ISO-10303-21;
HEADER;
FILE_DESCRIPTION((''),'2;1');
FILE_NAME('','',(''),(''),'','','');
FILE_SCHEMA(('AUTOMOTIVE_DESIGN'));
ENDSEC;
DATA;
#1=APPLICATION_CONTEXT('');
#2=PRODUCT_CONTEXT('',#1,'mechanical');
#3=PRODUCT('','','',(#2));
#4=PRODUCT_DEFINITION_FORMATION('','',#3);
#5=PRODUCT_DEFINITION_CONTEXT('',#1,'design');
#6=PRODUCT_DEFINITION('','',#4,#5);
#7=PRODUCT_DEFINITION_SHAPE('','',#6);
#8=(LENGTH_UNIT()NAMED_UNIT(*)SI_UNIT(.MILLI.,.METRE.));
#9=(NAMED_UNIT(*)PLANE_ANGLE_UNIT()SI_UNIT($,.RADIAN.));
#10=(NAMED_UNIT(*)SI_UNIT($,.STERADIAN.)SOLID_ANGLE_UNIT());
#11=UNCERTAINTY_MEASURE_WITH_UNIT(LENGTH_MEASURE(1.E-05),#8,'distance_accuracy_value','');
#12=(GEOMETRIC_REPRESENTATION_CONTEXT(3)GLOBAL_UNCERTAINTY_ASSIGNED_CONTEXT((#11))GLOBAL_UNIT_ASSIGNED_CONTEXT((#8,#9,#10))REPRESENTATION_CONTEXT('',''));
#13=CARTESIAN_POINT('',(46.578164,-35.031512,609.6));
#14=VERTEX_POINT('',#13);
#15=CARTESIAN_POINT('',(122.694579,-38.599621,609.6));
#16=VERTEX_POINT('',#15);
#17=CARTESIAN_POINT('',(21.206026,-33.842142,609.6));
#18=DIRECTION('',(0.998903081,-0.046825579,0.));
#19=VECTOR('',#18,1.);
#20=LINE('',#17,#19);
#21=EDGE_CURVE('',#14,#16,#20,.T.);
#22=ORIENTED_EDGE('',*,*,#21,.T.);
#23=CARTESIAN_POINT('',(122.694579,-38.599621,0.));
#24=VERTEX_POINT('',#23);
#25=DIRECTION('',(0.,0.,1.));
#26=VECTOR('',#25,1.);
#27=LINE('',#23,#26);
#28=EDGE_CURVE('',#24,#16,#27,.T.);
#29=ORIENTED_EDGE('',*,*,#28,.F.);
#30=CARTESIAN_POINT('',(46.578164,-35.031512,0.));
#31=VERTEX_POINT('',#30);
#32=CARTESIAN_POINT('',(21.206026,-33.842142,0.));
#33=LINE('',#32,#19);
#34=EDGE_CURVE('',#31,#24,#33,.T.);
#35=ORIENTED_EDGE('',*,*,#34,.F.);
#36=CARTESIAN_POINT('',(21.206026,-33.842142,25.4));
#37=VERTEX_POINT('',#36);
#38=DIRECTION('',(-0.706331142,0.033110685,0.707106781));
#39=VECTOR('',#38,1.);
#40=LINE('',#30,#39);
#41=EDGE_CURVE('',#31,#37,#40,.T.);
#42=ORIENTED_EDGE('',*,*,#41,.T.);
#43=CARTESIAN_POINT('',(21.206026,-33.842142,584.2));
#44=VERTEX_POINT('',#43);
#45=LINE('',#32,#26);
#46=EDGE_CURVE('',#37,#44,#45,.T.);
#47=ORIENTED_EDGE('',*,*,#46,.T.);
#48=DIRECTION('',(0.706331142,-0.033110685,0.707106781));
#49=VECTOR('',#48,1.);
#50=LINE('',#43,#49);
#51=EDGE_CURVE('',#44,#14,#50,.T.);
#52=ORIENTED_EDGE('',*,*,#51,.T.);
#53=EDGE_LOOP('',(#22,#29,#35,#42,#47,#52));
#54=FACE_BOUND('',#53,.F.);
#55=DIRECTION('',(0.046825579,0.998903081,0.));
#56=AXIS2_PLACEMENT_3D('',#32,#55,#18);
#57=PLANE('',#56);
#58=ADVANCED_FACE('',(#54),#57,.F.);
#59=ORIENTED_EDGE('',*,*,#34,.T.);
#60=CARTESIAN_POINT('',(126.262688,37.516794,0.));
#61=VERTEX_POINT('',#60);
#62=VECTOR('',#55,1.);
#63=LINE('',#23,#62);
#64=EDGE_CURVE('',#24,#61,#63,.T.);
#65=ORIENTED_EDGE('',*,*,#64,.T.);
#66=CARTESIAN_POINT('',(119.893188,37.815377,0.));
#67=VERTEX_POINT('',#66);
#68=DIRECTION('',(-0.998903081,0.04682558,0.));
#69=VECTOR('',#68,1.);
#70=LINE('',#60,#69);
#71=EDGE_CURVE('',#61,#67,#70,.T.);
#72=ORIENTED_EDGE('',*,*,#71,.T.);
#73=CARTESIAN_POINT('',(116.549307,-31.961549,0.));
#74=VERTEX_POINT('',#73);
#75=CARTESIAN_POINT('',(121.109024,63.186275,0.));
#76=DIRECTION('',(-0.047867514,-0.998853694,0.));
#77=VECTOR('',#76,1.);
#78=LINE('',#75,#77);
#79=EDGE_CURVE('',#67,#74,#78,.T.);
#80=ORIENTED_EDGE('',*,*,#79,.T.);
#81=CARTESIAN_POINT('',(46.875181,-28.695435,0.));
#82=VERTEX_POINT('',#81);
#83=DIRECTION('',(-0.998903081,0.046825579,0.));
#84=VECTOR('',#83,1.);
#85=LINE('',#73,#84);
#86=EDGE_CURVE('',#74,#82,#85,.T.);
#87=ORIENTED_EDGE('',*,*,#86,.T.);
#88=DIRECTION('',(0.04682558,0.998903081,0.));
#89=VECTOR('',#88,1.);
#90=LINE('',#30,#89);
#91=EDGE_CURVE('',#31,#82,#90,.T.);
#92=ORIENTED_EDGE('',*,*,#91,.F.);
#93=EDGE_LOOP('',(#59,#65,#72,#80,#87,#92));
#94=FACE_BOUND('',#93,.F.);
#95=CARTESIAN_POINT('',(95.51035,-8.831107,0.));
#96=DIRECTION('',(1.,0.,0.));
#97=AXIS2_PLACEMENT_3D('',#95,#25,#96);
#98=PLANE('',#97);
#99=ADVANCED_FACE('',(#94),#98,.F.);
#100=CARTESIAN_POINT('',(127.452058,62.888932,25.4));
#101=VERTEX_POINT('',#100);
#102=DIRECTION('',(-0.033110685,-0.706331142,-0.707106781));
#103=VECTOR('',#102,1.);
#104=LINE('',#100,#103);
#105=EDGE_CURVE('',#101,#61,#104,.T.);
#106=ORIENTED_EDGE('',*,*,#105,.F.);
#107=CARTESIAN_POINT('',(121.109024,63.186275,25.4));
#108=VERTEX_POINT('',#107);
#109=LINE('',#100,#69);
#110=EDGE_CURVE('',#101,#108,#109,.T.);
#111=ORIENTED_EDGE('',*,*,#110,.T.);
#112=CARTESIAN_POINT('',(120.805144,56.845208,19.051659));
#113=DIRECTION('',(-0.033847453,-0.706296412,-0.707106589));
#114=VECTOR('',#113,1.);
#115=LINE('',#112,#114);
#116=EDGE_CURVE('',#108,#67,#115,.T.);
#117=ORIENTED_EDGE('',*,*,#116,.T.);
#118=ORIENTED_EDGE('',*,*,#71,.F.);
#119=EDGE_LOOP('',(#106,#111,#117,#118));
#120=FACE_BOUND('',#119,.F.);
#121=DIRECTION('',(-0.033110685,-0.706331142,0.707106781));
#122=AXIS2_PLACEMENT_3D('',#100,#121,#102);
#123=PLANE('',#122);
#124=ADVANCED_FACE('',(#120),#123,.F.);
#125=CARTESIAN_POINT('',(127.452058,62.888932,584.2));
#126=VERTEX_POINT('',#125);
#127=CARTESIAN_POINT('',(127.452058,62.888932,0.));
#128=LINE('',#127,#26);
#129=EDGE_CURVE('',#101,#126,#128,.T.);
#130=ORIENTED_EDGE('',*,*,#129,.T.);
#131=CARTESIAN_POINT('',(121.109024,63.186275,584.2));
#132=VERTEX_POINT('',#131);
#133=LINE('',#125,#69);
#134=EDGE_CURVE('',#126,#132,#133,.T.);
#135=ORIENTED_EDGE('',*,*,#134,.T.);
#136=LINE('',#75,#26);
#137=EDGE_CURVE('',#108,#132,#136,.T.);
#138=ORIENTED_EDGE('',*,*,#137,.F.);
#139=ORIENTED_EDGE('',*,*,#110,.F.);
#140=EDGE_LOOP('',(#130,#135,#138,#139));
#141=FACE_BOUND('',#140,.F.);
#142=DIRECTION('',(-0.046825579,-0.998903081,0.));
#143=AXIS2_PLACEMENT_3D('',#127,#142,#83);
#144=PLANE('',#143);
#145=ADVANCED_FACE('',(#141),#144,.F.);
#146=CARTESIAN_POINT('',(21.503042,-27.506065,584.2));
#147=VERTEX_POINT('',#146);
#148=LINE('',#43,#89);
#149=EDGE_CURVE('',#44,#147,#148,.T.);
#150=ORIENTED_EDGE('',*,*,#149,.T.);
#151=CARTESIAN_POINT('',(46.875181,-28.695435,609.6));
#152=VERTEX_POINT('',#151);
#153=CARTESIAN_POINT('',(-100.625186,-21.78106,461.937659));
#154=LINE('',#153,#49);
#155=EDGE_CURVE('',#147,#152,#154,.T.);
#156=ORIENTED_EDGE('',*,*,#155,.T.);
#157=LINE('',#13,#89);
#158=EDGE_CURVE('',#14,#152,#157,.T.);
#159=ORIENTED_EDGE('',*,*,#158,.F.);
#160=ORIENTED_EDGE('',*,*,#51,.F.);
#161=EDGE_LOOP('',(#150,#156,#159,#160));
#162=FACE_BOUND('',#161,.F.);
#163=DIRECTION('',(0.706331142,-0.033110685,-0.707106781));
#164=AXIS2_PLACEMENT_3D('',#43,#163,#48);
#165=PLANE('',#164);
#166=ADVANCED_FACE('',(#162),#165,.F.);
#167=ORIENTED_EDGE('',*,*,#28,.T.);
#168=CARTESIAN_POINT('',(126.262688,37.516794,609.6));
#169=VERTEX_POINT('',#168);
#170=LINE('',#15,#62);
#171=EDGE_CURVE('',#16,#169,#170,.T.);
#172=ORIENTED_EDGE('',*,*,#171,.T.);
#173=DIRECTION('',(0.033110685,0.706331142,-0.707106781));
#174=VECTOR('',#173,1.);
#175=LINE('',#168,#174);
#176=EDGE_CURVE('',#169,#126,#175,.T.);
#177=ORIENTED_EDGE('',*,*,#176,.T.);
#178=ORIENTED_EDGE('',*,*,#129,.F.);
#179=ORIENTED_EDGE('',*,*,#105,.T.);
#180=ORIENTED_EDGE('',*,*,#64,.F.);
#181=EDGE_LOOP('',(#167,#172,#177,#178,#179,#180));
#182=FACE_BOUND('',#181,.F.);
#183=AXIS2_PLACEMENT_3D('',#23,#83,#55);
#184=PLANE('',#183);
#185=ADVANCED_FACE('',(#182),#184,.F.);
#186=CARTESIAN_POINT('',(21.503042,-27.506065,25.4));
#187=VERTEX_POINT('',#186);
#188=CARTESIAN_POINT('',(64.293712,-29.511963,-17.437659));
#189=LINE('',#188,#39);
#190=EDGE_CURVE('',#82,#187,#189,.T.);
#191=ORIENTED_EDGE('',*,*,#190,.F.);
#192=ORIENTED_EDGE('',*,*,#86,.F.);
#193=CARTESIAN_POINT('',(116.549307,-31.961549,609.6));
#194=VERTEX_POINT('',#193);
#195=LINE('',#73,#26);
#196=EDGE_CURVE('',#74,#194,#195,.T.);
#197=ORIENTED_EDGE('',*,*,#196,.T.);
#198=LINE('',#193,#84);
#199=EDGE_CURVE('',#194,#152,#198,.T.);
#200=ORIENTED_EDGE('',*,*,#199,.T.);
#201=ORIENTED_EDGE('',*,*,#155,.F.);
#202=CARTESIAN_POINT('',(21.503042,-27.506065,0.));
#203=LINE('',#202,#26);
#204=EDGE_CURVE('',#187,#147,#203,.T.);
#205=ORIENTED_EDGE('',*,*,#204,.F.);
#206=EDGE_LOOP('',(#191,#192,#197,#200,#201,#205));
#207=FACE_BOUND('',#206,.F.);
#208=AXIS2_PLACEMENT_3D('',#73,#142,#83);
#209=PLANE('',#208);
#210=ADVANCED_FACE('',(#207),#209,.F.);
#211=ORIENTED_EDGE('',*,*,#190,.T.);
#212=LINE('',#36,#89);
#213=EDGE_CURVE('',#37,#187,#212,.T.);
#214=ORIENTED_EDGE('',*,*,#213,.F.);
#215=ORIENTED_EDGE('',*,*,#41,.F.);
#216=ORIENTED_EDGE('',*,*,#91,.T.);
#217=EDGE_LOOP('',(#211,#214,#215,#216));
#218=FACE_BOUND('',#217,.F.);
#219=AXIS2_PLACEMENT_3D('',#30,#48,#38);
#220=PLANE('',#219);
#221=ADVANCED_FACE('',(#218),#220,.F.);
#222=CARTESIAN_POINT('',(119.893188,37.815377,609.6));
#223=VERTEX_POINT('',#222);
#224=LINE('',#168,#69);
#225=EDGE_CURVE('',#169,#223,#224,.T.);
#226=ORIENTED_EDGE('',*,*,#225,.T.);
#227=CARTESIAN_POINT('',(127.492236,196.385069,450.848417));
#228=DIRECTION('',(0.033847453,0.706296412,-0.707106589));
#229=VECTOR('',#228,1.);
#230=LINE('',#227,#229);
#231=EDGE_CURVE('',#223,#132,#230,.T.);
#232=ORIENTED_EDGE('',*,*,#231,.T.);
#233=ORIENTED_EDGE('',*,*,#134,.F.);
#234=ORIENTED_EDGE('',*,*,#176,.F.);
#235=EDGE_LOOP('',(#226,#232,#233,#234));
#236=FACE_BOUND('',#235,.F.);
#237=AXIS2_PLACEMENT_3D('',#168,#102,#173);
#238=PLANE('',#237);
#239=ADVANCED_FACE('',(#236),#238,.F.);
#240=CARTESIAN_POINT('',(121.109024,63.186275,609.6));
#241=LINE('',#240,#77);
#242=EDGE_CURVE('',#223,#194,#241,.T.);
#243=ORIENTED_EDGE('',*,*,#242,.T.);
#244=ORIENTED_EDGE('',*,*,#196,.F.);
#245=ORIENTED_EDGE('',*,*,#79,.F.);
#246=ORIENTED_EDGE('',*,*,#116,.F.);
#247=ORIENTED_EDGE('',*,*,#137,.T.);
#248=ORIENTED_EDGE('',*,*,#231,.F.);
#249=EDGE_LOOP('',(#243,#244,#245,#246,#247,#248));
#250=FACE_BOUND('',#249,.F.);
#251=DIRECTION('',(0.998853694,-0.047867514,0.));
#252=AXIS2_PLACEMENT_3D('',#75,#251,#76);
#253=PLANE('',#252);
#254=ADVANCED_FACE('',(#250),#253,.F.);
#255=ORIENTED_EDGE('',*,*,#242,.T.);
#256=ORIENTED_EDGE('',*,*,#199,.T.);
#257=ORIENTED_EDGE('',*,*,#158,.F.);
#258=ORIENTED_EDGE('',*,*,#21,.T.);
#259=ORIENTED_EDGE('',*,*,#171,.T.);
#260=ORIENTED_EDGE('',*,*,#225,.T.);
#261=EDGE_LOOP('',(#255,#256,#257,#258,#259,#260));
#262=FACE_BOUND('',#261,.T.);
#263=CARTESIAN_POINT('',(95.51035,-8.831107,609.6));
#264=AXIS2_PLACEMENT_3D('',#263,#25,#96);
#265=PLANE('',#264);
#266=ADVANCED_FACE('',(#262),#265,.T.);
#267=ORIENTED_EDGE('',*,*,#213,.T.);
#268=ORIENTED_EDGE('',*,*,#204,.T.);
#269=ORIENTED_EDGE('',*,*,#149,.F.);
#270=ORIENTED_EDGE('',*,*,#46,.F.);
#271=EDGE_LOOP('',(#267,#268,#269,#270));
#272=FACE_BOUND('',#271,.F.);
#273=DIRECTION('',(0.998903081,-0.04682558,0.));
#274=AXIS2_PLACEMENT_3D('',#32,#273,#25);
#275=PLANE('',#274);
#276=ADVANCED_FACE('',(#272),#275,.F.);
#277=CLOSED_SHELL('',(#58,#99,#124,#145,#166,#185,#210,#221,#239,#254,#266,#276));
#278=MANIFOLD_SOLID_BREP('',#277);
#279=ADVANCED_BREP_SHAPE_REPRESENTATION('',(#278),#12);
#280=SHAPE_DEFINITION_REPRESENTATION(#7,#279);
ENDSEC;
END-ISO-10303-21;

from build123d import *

# Parameters (mm, degrees)
F1_DEPTH   = 609.6
F3_DEPTH   = 25.4
F1_FACE2_W = 6.35
F1_FACE2_H = 609.6
F5_DEPTH   = 25.4
F7_DEPTH   = 25.4
F9_DEPTH   = 25.4


with BuildPart() as f1:
    # F0 (on Top) → F1 (new body)
    with BuildSketch(Plane.XY):
        Polygon((21.206026165, -27.4921420044), (21.206026165, -33.8421420044), (122.6945791882, -38.5996208804), (127.4520580641, 62.8889321428), (121.1090235002, 63.1862745726), (116.5493069378, -31.9615489545), align=None)
    extrude(amount=F1_DEPTH)

    # F2 (on face) → F3 (cut)
    with BuildSketch(Plane(origin=(124.2310217623, -5.8235775776, 0), x_dir=(0.0468255795, 0.9989030809, 0), z_dir=(0.9989030809, -0.0468255795, 0))):
        Polygon((43.3879645501, 609.6), (68.7879645501, 584.2), (68.7879645501, 609.6), align=None)
    extrude(amount=-F3_DEPTH, mode=Mode.SUBTRACT)

    # F4 (on face) + F1_face2 (on face) → F5 (cut)
    with BuildSketch(Plane(origin=(-1.5364425741, -32.7760433027, 0), x_dir=(0.9989030809, -0.0468255795, 0), z_dir=(-0.0468255795, -0.9989030809, 0))):
        Polygon((22.7674427811, 584.2), (48.1674427811, 609.6), (22.7674427811, 609.6), align=None)
    with BuildSketch(Plane(origin=(21.206026165, -30.6671420044, 304.8), x_dir=(0, -1, 0), z_dir=(-1, 0, 0))):
        Rectangle(F1_FACE2_W, F1_FACE2_H)
    extrude(amount=-F5_DEPTH, dir=(-0.0468255795, -0.9989030809, 0), mode=Mode.SUBTRACT)

    # F6 (on face) → F7 (cut)
    with BuildSketch(Plane(origin=(-1.5364425741, -32.7760433027, 0), x_dir=(0.9989030809, -0.0468255795, 0), z_dir=(-0.0468255795, -0.9989030809, 0))):
        Polygon((48.1674427811, 0), (22.7674427811, 25.4), (22.7674427811, 0), align=None)
    extrude(amount=-F7_DEPTH, mode=Mode.SUBTRACT)

    # F8 (on face) → F9 (cut)
    with BuildSketch(Plane(origin=(124.2310217623, -5.8235775776, 0), x_dir=(0.0468255795, 0.9989030809, 0), z_dir=(0.9989030809, -0.0468255795, 0))):
        Polygon((68.7879645501, 25.4), (43.3879645501, 0), (68.7879645501, 0), align=None)
    extrude(amount=-F9_DEPTH, mode=Mode.SUBTRACT)


solid = f1.part
